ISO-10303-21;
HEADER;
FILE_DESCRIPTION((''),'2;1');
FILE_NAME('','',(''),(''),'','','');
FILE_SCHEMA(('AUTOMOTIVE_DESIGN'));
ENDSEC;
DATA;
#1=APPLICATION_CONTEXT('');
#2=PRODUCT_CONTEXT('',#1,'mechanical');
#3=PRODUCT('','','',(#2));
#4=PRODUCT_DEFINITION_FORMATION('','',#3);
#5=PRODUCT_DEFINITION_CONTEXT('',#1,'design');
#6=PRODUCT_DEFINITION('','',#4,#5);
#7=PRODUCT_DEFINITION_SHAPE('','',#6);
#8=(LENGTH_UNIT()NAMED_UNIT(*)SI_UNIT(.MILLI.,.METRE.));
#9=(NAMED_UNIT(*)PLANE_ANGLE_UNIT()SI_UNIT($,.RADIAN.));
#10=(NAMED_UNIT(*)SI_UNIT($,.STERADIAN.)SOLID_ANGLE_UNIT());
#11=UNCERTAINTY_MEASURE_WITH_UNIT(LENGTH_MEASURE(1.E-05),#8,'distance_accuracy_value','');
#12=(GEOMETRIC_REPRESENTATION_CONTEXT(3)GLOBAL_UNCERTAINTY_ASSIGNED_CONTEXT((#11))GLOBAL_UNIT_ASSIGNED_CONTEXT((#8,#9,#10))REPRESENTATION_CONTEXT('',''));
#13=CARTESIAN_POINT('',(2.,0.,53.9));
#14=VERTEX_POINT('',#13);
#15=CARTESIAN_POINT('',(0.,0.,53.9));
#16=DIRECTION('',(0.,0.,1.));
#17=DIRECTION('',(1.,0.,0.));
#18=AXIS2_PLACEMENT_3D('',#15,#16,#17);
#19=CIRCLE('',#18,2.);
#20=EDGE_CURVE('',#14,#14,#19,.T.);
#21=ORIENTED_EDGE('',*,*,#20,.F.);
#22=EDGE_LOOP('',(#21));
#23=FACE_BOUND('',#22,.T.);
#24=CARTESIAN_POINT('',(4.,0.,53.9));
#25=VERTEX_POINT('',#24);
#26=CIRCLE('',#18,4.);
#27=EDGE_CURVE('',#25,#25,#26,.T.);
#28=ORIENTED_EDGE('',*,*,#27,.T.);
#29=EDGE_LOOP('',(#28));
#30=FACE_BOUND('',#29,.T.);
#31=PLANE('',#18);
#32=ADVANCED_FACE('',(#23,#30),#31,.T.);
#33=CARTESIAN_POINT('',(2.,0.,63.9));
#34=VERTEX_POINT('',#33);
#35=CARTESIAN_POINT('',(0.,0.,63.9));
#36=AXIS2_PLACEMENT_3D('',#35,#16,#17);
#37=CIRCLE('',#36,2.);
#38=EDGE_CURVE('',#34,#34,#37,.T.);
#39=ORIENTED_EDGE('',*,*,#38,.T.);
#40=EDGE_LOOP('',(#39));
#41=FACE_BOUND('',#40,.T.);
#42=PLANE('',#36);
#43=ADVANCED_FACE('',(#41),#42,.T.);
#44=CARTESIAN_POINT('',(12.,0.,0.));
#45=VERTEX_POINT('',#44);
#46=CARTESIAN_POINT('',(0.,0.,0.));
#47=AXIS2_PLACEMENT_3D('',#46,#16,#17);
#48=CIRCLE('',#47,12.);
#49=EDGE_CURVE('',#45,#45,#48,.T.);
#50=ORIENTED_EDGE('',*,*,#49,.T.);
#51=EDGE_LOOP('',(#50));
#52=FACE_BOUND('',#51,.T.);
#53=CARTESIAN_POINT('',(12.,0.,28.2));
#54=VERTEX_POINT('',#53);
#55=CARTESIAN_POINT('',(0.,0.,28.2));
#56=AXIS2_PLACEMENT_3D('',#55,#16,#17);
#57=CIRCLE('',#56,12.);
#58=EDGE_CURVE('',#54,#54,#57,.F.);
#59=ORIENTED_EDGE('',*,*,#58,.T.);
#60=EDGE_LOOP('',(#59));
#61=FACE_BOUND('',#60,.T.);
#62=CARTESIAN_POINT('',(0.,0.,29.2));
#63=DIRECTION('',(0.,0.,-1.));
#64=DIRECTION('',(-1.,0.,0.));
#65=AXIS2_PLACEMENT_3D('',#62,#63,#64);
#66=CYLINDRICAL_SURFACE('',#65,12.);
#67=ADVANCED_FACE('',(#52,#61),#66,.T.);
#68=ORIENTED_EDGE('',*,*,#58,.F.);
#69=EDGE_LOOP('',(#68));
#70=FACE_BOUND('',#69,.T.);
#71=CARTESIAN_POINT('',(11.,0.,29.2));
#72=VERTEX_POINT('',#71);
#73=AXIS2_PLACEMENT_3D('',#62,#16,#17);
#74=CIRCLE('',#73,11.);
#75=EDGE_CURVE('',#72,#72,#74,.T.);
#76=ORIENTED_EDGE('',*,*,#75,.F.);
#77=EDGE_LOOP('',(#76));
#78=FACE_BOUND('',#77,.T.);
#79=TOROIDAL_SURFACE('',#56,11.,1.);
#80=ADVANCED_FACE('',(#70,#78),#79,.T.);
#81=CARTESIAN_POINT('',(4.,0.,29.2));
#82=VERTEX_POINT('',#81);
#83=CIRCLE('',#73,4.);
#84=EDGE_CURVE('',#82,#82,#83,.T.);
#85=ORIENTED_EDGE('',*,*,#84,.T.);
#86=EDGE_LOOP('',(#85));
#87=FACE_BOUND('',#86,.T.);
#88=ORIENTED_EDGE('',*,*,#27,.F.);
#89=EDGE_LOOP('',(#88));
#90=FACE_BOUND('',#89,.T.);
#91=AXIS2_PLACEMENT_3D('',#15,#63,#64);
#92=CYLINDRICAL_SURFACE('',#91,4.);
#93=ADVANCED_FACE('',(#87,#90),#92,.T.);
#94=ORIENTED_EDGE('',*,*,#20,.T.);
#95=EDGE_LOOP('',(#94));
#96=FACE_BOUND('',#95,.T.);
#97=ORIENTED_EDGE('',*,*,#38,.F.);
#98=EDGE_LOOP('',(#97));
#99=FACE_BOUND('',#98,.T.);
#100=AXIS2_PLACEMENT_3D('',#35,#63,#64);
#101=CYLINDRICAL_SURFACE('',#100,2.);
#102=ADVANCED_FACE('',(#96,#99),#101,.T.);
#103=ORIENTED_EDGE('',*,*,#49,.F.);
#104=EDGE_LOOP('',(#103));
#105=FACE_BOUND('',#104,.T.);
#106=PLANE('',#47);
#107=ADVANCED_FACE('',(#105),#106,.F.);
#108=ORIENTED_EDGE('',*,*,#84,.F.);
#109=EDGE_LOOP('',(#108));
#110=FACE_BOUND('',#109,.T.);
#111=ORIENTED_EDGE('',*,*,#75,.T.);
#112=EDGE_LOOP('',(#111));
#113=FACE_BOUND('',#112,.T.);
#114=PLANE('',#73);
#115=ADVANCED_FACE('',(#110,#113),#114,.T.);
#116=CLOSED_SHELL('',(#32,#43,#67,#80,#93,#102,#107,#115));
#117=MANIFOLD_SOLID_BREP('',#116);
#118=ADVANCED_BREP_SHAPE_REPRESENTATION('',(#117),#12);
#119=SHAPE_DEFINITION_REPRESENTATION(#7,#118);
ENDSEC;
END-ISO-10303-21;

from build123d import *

# Parameters (mm, degrees)
ESQUISSE1_R      = 12
EXTRUSION1_DEPTH = 29.2
CONG_1_R         = 1
ESQUISSE2_R      = 4
EXTRUSION2_DEPTH = 24.7
ESQUISSE3_R      = 2
EXTRUSION3_DEPTH = 10


with BuildPart() as part:
    # Esquisse1 → Extrusion1 (new body)
    with BuildSketch(Plane.XY):
        Circle(ESQUISSE1_R)
    extrude(amount=EXTRUSION1_DEPTH)

    # Congé1
    cong_1_edges = [part.edges().sort_by_distance(p)[0] for p in [
        (-12, 0, 29.2),
    ]]
    fillet(cong_1_edges, radius=CONG_1_R)

    # Esquisse2 → Extrusion2 (add)
    with BuildSketch(Plane.XY.offset(29.2)):
        Circle(ESQUISSE2_R)
    extrude(amount=EXTRUSION2_DEPTH)

    # Esquisse3 → Extrusion3 (add)
    with BuildSketch(Plane.XY.offset(53.9)):
        Circle(ESQUISSE3_R)
    extrude(amount=EXTRUSION3_DEPTH)


solid = part.part
